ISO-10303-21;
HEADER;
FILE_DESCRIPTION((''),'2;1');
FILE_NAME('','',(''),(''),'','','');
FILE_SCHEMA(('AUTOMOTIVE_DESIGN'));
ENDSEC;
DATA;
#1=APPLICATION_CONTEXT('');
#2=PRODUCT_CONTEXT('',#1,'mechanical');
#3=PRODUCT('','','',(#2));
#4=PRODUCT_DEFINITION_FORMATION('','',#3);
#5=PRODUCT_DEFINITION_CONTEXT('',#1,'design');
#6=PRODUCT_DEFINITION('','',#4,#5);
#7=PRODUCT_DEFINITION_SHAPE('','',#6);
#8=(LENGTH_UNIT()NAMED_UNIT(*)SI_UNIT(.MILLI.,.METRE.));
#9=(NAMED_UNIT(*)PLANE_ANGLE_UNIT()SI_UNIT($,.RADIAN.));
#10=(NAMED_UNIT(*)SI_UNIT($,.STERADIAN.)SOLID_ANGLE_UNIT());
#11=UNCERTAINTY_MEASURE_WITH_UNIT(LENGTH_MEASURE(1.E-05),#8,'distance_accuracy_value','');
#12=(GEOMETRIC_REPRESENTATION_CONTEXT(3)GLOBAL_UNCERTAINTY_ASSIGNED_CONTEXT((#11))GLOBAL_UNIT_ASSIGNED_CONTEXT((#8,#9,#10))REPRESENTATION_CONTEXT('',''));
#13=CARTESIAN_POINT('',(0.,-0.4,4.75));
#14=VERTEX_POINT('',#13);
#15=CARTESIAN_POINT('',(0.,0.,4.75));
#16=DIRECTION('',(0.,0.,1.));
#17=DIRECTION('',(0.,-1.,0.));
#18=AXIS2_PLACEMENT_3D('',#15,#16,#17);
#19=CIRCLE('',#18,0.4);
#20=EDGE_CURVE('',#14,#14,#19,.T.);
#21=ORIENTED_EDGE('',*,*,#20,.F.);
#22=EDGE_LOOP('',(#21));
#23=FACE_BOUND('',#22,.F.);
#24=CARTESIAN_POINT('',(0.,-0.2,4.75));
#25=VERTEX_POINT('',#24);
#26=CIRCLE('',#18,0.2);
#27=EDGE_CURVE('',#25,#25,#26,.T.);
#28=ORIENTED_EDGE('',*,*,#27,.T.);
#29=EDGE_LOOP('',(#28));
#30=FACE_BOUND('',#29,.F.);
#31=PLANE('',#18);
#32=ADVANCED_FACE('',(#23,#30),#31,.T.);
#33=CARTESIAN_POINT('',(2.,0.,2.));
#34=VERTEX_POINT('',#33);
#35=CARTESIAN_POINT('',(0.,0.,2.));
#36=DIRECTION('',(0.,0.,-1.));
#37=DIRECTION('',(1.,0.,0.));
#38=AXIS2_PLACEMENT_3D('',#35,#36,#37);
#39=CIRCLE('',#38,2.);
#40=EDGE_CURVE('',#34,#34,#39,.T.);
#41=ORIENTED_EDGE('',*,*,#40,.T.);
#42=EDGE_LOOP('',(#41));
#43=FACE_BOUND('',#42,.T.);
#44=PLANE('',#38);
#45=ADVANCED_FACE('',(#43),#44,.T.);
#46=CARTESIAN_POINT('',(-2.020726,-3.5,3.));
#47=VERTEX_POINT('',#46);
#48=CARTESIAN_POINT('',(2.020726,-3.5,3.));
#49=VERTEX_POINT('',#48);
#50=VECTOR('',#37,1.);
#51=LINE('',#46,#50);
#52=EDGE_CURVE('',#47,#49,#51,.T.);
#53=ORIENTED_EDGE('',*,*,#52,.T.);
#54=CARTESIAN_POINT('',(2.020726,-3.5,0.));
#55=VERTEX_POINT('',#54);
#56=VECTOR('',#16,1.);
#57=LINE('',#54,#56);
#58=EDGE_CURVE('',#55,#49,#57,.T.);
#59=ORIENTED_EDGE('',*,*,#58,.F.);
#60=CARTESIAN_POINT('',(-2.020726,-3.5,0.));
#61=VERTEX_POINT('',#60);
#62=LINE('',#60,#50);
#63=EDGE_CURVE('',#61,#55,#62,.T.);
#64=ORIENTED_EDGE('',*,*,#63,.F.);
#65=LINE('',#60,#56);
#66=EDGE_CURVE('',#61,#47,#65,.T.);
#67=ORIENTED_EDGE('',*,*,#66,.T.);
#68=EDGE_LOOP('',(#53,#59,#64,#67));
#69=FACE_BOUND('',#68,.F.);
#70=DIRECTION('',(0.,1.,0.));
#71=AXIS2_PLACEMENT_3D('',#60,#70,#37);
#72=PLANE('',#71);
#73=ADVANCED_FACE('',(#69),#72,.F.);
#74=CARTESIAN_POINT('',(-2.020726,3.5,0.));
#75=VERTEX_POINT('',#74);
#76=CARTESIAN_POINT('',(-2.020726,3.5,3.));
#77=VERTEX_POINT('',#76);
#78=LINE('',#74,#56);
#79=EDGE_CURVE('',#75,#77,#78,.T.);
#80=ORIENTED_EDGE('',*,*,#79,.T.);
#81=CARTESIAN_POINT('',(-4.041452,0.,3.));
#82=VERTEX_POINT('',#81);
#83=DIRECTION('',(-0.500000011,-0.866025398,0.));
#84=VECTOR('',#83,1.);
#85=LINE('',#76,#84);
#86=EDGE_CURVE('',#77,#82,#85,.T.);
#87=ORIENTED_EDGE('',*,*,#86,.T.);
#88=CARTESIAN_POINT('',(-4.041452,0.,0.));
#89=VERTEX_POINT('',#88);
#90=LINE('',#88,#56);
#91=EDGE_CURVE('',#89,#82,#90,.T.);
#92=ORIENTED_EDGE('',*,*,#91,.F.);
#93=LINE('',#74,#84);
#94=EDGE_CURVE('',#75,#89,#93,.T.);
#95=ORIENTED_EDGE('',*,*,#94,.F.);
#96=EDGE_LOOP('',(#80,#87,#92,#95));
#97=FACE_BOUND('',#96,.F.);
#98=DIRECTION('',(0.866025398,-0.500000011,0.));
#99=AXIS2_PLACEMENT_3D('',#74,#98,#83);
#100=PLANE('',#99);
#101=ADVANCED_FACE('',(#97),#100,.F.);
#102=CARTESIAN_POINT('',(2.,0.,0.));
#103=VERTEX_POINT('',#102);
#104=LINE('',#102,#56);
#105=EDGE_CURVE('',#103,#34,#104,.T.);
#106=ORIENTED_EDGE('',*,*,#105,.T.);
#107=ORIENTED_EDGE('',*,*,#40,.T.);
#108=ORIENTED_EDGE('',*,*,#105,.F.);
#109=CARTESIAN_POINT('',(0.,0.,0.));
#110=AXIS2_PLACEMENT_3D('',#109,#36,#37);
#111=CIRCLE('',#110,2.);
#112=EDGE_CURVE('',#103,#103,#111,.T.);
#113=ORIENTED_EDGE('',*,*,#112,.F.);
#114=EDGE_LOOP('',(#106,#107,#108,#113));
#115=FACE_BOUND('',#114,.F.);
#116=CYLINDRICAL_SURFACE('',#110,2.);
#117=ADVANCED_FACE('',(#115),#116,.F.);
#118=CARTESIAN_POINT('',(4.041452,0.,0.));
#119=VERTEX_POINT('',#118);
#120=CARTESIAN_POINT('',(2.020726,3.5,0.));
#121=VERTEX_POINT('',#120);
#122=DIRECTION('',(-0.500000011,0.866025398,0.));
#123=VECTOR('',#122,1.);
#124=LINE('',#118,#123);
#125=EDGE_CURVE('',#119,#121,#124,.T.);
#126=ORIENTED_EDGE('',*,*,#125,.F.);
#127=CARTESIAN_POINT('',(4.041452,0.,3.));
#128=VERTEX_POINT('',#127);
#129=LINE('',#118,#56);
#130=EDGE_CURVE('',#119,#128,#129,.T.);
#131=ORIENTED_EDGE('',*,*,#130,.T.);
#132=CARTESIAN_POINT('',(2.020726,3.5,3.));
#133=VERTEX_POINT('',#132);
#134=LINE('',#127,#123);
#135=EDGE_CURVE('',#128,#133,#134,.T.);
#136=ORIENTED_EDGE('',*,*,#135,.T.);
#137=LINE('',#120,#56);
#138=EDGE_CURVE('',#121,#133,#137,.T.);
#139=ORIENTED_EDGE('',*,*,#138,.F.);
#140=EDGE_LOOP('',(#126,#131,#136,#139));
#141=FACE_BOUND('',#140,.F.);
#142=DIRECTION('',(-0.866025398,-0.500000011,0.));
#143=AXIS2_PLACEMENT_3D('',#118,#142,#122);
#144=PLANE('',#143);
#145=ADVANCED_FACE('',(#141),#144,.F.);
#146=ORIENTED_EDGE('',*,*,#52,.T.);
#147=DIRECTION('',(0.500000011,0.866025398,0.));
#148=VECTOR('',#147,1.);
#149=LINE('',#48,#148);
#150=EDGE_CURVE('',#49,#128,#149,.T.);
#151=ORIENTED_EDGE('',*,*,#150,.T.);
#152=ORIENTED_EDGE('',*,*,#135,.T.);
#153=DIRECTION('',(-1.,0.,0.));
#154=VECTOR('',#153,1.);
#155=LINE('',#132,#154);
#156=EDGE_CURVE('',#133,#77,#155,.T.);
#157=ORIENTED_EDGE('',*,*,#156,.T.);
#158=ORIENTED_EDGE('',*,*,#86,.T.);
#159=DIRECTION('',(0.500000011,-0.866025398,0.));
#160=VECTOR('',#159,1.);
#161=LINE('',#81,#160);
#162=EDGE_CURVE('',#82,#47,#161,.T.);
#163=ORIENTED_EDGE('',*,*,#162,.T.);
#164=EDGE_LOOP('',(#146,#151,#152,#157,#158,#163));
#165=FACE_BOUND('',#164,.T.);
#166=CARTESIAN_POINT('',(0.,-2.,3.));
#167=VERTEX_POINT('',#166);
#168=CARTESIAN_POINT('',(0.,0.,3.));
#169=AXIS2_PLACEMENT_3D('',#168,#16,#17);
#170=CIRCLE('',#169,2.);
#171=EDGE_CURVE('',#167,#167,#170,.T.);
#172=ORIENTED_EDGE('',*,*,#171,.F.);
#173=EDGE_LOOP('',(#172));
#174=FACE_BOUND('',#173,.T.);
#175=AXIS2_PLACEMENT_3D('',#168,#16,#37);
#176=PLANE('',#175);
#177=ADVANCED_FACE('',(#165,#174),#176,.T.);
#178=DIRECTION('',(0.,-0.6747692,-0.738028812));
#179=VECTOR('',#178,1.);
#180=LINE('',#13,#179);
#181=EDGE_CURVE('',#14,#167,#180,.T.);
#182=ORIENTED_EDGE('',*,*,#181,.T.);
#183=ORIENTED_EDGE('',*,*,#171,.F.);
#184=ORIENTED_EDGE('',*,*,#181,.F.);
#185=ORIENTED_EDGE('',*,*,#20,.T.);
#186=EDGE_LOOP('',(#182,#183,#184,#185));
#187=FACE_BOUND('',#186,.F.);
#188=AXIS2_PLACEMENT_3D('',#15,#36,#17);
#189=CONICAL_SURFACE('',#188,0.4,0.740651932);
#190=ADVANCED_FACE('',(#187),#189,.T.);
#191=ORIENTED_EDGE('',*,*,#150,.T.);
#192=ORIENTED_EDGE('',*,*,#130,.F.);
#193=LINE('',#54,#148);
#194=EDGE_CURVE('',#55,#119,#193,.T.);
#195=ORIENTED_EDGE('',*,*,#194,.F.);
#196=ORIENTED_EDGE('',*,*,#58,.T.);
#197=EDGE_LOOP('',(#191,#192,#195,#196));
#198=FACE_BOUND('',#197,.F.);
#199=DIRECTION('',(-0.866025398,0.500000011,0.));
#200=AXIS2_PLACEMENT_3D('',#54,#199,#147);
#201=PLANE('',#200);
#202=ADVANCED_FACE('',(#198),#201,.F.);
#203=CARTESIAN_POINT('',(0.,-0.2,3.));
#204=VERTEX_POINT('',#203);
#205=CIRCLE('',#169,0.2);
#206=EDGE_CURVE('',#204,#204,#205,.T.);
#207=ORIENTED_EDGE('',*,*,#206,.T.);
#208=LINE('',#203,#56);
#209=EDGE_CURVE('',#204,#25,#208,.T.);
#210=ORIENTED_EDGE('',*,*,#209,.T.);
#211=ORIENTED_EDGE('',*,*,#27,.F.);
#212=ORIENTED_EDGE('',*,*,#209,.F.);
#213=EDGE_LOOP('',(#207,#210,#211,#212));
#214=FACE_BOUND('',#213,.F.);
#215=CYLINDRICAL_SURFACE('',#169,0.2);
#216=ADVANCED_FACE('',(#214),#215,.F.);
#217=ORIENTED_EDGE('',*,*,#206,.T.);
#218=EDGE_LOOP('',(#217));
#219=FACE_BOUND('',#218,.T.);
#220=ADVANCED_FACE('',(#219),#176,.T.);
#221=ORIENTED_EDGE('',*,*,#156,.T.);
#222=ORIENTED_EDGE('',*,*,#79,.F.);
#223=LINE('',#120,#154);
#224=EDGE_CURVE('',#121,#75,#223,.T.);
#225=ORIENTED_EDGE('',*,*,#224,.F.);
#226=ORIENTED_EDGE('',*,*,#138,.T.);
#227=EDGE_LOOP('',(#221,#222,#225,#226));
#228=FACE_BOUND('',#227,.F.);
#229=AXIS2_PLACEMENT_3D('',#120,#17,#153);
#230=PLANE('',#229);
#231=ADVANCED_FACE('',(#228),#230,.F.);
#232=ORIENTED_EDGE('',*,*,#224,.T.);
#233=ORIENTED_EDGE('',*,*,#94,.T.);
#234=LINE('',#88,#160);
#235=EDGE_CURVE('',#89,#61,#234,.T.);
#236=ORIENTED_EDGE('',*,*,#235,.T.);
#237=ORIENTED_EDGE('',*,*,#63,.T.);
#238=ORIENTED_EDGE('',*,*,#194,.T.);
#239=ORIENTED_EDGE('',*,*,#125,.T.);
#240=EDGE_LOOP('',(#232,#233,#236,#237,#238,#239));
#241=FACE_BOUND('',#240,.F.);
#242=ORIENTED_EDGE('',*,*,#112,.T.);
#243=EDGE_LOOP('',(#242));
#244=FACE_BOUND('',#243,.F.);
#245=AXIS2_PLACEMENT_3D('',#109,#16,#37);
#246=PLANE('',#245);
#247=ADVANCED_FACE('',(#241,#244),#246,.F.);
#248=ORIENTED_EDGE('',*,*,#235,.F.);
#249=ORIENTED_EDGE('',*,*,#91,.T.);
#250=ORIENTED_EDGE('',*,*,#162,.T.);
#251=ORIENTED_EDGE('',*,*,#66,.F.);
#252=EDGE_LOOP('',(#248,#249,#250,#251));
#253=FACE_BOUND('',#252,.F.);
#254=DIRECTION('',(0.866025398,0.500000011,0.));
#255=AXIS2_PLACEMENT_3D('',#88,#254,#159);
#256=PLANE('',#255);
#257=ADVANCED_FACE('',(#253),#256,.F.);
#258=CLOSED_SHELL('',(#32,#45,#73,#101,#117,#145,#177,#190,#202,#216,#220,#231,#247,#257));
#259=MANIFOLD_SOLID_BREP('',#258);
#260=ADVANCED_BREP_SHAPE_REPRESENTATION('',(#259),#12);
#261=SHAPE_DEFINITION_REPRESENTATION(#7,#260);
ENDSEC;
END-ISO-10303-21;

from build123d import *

# Parameters (mm, degrees)
F1_DEPTH = 3
F4_R     = 2
F5_DEPTH = 2


with BuildPart() as f1:
    # F0 (on Top) → F1 (new body)
    with BuildSketch(Plane.XY):
        Polygon((2.020726, -3.5), (4.041452, 0), (2.020726, 3.5), (-2.020726, 3.5), (-4.041452, 0), (-2.020726, -3.5), align=None)
    extrude(amount=F1_DEPTH)

    # F2 (on Right) → F3 (revolve)
    with BuildSketch(Plane.YZ):
        Polygon((-0.4, 4.75), (-2, 3), (-0.2, 3), (-0.2, 4.75), align=None)
    revolve(axis=Axis((0, 0, 3.308563), (0, 0, 1)))

    # F4 (on face) → F5 (cut)
    with BuildSketch(Plane(origin=(0, 0, 0), x_dir=(1, 0, 0), z_dir=(0, 0, -1))):
        Circle(F4_R)
    extrude(amount=-F5_DEPTH, mode=Mode.SUBTRACT)


solid = f1.part
